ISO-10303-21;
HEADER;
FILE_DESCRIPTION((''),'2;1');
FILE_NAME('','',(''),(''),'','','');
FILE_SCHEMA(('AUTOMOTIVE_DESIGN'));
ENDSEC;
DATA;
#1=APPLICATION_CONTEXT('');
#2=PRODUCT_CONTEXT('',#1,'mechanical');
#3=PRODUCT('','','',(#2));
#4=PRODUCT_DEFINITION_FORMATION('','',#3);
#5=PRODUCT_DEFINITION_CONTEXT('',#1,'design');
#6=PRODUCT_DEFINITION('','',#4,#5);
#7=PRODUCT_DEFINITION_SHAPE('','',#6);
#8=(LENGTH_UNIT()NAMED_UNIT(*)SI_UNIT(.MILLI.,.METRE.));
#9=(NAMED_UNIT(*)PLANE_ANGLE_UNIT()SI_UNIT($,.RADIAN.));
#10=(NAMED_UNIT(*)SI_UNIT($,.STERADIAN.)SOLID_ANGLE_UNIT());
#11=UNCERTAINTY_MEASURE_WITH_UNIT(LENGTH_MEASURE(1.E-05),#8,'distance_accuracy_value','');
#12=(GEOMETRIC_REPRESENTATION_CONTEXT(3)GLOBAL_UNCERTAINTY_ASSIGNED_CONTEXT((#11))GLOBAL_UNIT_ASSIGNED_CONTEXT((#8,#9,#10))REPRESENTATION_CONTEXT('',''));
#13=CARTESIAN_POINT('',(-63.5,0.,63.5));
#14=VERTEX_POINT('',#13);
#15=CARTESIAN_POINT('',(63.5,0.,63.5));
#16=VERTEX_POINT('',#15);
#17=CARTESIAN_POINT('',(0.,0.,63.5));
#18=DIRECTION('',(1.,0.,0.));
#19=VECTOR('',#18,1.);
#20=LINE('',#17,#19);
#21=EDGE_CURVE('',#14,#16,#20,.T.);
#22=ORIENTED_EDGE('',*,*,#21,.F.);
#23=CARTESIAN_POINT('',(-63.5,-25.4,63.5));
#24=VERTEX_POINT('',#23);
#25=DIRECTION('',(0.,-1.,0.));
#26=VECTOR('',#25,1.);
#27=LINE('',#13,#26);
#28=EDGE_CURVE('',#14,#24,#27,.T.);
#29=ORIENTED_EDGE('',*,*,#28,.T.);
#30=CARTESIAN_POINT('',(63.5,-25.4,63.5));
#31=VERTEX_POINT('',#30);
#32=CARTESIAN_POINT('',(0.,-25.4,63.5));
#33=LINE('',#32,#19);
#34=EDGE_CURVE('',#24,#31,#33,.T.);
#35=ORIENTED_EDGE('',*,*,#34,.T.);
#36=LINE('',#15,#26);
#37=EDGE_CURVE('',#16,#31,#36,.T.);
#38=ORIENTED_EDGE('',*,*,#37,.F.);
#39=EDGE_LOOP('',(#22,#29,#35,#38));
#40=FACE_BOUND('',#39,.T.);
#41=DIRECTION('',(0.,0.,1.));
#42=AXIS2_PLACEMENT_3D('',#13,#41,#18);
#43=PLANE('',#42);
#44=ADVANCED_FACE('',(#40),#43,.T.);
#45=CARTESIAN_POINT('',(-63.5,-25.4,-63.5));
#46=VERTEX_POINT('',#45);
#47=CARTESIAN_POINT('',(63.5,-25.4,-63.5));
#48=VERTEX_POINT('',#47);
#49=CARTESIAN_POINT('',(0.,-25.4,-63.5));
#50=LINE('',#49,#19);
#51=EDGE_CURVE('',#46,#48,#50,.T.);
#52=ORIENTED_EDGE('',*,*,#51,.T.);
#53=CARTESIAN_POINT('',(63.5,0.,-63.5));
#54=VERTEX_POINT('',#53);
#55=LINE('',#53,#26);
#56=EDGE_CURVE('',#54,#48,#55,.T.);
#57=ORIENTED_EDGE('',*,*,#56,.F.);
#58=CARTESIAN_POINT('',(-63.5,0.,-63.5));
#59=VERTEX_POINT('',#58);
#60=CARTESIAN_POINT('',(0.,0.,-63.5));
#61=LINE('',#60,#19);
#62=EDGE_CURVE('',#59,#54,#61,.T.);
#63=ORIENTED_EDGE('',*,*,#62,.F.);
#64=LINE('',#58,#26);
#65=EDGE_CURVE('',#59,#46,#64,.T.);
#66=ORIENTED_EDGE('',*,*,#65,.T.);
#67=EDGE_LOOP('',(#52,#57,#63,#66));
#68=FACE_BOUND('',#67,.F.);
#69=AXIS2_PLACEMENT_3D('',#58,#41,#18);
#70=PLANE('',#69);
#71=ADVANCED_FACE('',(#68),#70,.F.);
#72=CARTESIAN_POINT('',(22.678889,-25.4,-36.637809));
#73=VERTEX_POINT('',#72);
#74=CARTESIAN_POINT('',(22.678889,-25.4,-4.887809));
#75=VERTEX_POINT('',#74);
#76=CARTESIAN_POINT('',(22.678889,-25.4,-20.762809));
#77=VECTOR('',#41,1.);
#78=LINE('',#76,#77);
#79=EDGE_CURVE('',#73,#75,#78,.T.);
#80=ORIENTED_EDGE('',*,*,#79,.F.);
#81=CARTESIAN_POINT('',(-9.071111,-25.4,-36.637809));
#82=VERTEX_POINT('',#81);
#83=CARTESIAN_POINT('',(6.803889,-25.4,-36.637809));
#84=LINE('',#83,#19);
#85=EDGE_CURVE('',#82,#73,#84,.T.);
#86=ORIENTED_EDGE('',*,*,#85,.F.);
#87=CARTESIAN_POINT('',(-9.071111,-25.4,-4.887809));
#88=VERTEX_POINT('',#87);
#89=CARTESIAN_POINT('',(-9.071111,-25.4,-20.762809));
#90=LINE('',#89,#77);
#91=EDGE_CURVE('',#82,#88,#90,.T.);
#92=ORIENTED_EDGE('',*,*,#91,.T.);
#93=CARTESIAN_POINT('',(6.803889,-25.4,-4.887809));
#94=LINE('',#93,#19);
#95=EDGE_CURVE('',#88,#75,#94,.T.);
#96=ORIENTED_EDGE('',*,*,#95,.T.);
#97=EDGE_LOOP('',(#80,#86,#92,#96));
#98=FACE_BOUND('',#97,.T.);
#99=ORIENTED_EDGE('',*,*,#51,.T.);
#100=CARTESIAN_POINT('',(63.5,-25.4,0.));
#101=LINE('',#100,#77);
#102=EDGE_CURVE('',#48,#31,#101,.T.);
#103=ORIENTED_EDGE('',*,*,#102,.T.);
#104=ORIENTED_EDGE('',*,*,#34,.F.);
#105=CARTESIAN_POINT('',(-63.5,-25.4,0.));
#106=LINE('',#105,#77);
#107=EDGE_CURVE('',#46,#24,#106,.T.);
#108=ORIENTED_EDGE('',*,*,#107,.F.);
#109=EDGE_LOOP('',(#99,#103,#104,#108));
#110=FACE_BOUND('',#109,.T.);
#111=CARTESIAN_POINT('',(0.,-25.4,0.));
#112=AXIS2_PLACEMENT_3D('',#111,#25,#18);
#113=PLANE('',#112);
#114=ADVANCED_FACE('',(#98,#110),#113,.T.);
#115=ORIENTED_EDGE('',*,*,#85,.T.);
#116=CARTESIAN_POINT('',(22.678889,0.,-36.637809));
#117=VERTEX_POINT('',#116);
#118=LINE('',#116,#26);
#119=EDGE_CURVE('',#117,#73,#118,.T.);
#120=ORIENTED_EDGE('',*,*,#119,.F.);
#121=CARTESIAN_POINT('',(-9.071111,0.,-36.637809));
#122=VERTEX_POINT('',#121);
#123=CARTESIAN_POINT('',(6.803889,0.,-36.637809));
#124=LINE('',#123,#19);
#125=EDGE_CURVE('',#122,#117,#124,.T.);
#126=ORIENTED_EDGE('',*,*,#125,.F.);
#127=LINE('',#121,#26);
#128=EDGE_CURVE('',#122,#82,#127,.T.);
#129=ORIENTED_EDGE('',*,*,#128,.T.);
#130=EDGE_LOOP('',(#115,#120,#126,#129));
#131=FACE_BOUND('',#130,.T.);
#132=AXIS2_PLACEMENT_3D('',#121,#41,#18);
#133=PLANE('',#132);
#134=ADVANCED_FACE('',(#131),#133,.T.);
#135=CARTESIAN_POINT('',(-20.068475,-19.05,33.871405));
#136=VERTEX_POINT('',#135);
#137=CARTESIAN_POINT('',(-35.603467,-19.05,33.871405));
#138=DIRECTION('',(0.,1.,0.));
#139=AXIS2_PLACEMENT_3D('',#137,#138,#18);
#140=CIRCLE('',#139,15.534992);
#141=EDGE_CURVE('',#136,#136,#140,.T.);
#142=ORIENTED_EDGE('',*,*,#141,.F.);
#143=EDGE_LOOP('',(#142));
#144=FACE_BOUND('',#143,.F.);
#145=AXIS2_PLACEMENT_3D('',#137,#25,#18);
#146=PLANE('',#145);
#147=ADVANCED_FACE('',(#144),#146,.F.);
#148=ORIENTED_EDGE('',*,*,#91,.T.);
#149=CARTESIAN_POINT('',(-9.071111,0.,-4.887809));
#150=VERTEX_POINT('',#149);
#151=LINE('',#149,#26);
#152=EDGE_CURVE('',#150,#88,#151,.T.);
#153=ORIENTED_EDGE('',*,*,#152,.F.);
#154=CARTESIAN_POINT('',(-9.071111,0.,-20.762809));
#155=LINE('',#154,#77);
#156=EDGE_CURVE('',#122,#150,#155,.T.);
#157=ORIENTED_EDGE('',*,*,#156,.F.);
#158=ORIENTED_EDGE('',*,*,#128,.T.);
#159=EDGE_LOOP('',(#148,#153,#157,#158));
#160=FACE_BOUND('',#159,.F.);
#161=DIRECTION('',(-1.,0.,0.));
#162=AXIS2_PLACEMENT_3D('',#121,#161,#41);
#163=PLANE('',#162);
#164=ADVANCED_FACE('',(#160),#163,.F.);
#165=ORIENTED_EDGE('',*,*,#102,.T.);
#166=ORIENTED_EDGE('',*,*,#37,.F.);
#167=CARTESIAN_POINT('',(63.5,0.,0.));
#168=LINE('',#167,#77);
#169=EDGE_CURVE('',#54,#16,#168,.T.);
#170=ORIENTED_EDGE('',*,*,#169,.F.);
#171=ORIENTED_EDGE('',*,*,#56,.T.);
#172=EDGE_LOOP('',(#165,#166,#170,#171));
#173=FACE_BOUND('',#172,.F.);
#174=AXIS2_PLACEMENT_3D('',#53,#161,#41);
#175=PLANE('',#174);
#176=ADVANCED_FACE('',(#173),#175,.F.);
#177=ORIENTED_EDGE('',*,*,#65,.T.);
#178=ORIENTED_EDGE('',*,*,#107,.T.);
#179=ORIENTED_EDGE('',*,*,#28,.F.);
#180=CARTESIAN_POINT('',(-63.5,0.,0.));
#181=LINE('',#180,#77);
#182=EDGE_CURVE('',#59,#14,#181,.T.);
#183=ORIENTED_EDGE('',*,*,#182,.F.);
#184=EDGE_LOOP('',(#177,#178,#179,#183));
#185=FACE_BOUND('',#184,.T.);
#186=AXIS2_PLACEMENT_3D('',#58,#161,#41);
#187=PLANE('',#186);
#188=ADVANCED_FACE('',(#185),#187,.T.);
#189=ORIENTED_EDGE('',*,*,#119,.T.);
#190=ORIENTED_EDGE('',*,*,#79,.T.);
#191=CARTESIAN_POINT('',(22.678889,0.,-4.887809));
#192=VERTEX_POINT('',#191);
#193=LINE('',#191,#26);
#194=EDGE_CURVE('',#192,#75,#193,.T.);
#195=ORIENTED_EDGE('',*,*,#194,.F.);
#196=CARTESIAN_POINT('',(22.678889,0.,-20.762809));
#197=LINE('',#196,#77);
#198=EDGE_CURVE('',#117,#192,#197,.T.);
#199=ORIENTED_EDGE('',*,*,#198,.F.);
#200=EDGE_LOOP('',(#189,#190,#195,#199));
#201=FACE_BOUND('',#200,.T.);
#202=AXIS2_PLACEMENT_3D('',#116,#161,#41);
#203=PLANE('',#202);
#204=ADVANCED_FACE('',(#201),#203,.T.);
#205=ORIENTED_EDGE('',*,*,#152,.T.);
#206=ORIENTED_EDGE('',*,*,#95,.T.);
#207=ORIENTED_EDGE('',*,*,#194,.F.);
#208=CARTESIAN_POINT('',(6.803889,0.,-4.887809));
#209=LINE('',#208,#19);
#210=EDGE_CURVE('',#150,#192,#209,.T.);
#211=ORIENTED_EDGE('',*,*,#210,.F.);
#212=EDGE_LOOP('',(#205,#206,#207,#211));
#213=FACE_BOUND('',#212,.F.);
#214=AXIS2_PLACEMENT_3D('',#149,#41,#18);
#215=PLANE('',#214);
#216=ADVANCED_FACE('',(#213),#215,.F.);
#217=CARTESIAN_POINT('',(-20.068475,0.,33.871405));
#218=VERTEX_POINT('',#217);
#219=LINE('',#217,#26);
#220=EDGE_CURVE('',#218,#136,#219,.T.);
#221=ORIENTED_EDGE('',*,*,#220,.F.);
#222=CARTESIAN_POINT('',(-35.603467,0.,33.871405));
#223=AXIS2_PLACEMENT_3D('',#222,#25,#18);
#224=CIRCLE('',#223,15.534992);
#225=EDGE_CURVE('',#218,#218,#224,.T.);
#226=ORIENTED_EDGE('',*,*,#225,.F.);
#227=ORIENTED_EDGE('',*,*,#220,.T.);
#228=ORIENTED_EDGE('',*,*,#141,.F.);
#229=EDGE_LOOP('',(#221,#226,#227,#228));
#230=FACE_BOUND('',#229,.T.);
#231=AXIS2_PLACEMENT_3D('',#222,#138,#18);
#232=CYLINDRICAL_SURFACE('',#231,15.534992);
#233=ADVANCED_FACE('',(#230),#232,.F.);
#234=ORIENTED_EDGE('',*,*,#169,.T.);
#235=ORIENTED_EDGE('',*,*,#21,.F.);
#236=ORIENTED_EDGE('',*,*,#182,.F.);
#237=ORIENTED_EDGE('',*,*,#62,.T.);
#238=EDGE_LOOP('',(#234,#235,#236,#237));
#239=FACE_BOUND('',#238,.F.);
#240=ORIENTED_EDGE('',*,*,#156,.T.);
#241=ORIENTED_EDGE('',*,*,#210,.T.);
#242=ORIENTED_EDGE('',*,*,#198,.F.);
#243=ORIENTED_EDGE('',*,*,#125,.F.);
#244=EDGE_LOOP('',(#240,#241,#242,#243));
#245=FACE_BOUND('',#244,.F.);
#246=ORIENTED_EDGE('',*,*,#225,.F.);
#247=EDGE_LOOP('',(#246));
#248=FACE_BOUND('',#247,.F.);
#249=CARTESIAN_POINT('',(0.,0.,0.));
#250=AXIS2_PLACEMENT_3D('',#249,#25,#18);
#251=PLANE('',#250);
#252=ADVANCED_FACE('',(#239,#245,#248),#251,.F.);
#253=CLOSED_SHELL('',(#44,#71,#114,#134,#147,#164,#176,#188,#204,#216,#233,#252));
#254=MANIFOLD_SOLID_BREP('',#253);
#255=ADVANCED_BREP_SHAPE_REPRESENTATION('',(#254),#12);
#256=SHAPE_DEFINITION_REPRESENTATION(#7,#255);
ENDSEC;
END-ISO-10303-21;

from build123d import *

# Parameters (mm, degrees)
F0_W     = 127
F0_H     = 127
F0_W_2   = 31.75
F0_H_2   = 31.75
F0_R     = 15.534992
F1_DEPTH = 25.4
F2_R     = 23.88256
F3_DEPTH = 6.35
F4_DEPTH = 25.4
F6_R     = 25.357693
F7_DEPTH = 6.35


with BuildPart() as f1:
    # F0 (on Front) → F1 (new body)
    with BuildSketch(Plane.XZ):
        Rectangle(F0_W, F0_H)
        with Locations((6.803889, -20.762809)):
            Rectangle(F0_W_2, F0_H_2, mode=Mode.SUBTRACT)
        with Locations((-35.603467, 33.871405)):
            Circle(F0_R, mode=Mode.SUBTRACT)
    extrude(amount=F1_DEPTH)

    # F2 (on face) → F3 (cut)
    with BuildSketch(Plane.XZ.offset(25.4)):
        with Locations((-35.603467, 33.871405)):
            Circle(F2_R)
    extrude(amount=-F3_DEPTH, mode=Mode.SUBTRACT)

    # F0 (on Front) → F4 (join)
    with BuildSketch(Plane.XZ):
        Rectangle(F0_W, F0_H)
        with Locations((6.803889, -20.762809)):
            Rectangle(F0_W_2, F0_H_2, mode=Mode.SUBTRACT)
        with Locations((-35.603467, 33.871405)):
            Circle(F0_R, mode=Mode.SUBTRACT)
    extrude(amount=F4_DEPTH)

    # F6 (on face) → F7 (join)
    with BuildSketch(Plane.XZ.offset(25.4)):
        with Locations((-35.603467, 33.871405)):
            Circle(F6_R)
    extrude(amount=-F7_DEPTH)


solid = f1.part
